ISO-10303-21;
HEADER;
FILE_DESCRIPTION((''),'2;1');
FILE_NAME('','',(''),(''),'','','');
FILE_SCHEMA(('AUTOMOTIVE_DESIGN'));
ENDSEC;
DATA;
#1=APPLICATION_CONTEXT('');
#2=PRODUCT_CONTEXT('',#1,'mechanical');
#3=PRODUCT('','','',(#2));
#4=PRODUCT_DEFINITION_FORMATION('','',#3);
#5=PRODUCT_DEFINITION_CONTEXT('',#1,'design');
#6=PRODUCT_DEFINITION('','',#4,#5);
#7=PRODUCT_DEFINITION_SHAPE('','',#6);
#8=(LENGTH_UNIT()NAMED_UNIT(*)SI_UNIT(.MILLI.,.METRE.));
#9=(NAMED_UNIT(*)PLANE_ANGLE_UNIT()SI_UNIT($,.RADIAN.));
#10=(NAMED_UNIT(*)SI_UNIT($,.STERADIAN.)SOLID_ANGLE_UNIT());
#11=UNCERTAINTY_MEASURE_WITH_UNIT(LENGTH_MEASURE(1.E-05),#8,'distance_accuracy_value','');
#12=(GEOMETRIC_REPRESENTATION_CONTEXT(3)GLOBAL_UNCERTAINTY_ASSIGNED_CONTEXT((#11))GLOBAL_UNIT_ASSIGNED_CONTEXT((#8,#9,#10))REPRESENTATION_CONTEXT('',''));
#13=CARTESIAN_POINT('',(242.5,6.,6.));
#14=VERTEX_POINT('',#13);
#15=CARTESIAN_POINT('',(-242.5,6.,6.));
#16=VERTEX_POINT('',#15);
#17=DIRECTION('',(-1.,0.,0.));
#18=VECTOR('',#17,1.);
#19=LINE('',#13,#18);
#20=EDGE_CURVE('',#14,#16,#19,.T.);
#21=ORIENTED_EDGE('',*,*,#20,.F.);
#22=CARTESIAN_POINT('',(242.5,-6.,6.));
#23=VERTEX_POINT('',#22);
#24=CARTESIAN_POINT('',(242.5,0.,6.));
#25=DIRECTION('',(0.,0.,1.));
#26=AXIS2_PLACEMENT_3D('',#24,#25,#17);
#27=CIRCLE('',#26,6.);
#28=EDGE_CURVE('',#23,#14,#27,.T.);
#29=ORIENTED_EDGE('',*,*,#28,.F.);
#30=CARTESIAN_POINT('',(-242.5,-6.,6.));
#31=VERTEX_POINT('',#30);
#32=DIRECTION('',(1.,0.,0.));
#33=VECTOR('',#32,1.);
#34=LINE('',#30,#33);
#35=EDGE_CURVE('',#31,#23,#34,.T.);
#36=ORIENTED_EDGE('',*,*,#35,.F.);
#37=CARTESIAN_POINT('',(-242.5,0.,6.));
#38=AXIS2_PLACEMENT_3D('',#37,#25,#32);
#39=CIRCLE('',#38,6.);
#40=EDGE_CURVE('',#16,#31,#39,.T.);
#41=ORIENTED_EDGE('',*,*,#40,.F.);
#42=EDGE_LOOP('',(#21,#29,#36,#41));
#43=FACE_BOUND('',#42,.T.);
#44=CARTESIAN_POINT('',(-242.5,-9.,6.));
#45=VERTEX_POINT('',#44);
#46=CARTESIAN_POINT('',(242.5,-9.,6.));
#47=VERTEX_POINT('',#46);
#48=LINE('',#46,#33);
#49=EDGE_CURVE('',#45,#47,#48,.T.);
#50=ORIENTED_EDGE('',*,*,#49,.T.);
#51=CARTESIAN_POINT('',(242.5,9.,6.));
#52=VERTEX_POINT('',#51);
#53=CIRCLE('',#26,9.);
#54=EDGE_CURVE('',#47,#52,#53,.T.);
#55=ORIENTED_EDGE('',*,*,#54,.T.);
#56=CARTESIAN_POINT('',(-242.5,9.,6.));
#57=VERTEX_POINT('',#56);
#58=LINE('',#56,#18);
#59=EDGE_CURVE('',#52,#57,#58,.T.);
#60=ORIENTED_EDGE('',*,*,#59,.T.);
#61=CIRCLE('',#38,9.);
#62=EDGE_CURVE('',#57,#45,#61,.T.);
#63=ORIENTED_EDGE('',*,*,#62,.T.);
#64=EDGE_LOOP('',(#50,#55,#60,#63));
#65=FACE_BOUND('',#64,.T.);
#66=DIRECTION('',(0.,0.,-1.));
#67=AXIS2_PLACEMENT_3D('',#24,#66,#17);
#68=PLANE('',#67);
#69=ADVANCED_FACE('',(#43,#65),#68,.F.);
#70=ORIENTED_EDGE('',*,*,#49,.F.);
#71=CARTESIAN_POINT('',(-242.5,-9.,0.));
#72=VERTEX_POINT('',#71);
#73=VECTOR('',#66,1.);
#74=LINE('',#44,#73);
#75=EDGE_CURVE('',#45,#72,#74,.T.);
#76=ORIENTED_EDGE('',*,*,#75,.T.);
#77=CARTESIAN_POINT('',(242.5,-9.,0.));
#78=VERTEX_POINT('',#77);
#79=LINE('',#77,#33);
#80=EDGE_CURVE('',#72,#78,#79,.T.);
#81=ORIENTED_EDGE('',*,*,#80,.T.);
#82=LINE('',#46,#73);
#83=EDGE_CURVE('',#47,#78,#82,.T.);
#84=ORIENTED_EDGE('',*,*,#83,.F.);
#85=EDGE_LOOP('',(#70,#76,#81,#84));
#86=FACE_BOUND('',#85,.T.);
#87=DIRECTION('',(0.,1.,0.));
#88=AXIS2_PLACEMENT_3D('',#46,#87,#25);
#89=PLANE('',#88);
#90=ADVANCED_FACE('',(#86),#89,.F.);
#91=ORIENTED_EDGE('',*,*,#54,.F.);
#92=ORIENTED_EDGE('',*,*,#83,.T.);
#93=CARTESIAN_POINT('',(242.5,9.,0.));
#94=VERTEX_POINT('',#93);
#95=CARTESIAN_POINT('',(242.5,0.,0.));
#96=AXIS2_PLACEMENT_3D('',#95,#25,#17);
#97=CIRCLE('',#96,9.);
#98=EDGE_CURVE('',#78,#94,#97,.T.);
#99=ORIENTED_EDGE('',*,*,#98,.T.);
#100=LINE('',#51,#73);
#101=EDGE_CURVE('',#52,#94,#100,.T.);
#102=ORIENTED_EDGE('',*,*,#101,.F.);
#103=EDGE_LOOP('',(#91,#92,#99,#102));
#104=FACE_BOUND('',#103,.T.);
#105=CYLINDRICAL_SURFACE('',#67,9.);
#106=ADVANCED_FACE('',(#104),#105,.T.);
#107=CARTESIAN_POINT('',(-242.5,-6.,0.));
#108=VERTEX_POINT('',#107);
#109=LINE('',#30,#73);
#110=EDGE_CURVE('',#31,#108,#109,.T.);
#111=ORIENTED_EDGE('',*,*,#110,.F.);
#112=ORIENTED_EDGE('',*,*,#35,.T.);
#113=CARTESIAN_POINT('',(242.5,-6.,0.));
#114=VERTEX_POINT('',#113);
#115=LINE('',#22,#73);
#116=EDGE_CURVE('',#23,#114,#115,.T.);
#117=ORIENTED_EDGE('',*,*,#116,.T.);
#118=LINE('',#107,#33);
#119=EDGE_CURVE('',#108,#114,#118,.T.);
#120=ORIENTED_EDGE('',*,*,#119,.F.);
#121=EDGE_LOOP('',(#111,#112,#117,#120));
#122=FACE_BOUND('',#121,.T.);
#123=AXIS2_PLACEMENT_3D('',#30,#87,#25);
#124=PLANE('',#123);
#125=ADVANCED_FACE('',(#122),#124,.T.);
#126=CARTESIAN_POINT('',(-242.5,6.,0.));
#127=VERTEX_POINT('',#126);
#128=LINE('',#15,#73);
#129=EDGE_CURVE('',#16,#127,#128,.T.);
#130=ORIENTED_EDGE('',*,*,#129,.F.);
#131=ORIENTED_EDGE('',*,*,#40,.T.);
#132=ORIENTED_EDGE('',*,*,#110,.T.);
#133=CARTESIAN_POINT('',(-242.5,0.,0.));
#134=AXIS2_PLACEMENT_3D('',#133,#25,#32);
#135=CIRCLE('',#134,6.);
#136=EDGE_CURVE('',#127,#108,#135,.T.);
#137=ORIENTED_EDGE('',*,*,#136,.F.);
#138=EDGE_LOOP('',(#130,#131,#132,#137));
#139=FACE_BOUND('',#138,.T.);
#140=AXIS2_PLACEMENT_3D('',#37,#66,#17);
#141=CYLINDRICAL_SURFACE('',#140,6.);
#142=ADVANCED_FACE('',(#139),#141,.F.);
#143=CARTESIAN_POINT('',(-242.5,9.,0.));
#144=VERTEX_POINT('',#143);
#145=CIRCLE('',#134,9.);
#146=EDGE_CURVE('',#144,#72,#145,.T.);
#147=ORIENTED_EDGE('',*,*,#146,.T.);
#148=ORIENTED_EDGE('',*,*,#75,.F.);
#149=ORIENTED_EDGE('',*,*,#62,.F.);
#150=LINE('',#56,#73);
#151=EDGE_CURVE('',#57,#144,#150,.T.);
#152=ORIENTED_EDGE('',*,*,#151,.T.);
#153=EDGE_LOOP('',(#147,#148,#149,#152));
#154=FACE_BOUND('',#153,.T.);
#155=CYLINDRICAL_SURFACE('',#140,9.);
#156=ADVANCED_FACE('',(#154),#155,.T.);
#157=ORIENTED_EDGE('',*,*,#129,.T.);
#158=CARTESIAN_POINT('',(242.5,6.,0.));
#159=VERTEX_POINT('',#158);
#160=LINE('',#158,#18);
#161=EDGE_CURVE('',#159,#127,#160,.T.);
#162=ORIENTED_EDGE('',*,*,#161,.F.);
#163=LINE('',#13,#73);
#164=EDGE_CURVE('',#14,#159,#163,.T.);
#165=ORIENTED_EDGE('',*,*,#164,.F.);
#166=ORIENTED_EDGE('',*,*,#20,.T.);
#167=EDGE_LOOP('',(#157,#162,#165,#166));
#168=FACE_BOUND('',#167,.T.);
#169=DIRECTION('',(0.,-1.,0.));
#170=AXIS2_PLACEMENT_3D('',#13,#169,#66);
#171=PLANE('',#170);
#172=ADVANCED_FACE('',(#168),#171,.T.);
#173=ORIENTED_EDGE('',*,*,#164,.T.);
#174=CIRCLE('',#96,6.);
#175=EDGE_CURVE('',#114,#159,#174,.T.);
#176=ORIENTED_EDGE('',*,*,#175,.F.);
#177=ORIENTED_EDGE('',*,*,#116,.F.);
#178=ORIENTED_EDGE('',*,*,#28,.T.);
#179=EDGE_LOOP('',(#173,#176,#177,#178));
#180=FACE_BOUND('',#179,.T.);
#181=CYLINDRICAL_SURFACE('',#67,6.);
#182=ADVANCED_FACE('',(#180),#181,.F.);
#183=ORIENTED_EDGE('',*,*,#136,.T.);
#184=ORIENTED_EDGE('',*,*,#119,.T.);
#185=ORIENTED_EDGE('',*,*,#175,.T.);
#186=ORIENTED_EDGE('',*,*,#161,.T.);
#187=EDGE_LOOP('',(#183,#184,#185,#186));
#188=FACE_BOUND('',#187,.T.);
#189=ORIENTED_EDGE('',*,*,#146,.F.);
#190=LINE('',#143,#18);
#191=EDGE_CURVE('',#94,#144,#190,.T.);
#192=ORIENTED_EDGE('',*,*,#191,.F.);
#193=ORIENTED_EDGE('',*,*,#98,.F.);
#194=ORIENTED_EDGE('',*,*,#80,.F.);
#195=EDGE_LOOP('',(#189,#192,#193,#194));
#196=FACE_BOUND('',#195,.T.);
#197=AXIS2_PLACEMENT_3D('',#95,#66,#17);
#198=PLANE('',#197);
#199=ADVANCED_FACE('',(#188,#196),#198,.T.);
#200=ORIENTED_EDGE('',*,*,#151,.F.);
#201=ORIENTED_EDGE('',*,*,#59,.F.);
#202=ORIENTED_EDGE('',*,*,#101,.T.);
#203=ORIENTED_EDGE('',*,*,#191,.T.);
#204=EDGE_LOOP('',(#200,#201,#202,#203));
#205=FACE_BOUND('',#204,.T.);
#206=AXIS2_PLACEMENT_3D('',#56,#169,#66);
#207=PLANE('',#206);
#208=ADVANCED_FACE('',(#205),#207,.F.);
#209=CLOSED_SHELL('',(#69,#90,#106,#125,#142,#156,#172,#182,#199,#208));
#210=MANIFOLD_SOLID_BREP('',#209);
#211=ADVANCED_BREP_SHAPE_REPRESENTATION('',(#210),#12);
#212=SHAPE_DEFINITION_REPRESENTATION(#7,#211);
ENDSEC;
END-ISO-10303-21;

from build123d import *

# Parameters (mm, degrees)
BOSS_EXTRUDE1_DEPTH = 6


with BuildPart() as part:
    # Sketch1 → Boss-Extrude1 (new body)
    with BuildSketch(Plane.XY):
        with BuildLine():
            Line((-242.5, 9), (242.5, 9))
            ThreePointArc((242.5, 9), (251.5, 0), (242.5, -9))
            Line((242.5, -9), (-242.5, -9))
            ThreePointArc((-242.5, -9), (-251.5, 0), (-242.5, 9))
        make_face()
        with BuildLine():
            Line((-242.5, -6), (242.5, -6))
            ThreePointArc((242.5, -6), (248.5, 0), (242.5, 6))
            Line((242.5, 6), (-242.5, 6))
            ThreePointArc((-242.5, 6), (-248.5, 0), (-242.5, -6))
        make_face(mode=Mode.SUBTRACT)
    extrude(amount=BOSS_EXTRUDE1_DEPTH)


solid = part.part
